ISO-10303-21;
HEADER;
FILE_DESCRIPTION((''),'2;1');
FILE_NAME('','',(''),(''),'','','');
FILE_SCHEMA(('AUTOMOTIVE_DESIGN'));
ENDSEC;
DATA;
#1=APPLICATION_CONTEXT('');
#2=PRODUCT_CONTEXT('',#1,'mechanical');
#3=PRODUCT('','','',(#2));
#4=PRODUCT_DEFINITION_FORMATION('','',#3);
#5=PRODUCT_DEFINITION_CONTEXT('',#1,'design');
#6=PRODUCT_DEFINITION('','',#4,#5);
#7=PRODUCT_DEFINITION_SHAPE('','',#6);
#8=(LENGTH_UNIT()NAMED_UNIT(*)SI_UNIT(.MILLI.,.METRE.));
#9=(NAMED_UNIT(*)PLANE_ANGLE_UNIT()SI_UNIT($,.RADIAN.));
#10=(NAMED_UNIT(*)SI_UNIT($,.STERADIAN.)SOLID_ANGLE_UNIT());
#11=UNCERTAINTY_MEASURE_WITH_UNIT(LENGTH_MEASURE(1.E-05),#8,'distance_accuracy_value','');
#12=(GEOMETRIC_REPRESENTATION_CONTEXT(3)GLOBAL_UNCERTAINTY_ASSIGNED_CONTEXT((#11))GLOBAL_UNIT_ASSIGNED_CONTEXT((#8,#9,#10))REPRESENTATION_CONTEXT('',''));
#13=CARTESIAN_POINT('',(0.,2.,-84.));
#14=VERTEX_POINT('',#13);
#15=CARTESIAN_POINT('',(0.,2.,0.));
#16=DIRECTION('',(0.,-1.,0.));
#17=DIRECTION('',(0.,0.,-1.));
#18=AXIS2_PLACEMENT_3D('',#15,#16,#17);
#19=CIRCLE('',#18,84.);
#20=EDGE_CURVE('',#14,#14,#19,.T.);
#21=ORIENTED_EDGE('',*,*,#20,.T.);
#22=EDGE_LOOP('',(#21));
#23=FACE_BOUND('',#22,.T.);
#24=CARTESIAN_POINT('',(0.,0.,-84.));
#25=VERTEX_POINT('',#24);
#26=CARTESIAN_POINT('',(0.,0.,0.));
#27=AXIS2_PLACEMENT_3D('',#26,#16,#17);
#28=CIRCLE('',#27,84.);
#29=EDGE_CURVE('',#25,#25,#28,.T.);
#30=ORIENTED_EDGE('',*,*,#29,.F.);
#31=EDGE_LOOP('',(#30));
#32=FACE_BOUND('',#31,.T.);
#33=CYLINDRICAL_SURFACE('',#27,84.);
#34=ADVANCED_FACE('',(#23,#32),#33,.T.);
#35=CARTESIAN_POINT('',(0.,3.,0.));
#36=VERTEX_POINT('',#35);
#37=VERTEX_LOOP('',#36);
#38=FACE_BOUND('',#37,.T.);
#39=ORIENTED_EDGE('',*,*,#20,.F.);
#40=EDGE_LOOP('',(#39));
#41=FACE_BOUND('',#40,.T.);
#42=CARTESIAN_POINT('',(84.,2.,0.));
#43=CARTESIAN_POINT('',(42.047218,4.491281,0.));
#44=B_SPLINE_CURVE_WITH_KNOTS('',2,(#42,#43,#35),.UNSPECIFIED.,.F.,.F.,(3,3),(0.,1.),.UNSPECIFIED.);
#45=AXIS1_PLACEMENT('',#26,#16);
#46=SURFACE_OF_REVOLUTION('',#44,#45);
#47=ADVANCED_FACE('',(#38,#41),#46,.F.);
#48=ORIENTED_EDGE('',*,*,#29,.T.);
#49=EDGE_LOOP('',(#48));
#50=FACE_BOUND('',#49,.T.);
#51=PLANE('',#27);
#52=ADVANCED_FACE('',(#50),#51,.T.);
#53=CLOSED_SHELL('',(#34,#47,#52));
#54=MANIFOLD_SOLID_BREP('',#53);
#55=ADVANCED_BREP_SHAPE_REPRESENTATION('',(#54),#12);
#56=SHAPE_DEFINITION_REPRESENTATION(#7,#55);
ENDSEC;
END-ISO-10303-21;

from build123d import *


with BuildPart() as part:
    # Sketch2 → Revolve1 (revolve)
    with BuildSketch(Plane.XY):
        with BuildLine():
            Line((0, 0), (84, 0))
            Line((84, 0), (84, 2))
            add(Edge.make_bspline(
                [(0, 3), (42.04721799, 4.491281307), (84, 2)],
                knots=[0, 0, 0, 1, 1, 1], degree=2))
            Line((0, 3), (0, 0))
        make_face()
    revolve(axis=Axis((0, 0, 0), (0, 1, 0)))


solid = part.part
